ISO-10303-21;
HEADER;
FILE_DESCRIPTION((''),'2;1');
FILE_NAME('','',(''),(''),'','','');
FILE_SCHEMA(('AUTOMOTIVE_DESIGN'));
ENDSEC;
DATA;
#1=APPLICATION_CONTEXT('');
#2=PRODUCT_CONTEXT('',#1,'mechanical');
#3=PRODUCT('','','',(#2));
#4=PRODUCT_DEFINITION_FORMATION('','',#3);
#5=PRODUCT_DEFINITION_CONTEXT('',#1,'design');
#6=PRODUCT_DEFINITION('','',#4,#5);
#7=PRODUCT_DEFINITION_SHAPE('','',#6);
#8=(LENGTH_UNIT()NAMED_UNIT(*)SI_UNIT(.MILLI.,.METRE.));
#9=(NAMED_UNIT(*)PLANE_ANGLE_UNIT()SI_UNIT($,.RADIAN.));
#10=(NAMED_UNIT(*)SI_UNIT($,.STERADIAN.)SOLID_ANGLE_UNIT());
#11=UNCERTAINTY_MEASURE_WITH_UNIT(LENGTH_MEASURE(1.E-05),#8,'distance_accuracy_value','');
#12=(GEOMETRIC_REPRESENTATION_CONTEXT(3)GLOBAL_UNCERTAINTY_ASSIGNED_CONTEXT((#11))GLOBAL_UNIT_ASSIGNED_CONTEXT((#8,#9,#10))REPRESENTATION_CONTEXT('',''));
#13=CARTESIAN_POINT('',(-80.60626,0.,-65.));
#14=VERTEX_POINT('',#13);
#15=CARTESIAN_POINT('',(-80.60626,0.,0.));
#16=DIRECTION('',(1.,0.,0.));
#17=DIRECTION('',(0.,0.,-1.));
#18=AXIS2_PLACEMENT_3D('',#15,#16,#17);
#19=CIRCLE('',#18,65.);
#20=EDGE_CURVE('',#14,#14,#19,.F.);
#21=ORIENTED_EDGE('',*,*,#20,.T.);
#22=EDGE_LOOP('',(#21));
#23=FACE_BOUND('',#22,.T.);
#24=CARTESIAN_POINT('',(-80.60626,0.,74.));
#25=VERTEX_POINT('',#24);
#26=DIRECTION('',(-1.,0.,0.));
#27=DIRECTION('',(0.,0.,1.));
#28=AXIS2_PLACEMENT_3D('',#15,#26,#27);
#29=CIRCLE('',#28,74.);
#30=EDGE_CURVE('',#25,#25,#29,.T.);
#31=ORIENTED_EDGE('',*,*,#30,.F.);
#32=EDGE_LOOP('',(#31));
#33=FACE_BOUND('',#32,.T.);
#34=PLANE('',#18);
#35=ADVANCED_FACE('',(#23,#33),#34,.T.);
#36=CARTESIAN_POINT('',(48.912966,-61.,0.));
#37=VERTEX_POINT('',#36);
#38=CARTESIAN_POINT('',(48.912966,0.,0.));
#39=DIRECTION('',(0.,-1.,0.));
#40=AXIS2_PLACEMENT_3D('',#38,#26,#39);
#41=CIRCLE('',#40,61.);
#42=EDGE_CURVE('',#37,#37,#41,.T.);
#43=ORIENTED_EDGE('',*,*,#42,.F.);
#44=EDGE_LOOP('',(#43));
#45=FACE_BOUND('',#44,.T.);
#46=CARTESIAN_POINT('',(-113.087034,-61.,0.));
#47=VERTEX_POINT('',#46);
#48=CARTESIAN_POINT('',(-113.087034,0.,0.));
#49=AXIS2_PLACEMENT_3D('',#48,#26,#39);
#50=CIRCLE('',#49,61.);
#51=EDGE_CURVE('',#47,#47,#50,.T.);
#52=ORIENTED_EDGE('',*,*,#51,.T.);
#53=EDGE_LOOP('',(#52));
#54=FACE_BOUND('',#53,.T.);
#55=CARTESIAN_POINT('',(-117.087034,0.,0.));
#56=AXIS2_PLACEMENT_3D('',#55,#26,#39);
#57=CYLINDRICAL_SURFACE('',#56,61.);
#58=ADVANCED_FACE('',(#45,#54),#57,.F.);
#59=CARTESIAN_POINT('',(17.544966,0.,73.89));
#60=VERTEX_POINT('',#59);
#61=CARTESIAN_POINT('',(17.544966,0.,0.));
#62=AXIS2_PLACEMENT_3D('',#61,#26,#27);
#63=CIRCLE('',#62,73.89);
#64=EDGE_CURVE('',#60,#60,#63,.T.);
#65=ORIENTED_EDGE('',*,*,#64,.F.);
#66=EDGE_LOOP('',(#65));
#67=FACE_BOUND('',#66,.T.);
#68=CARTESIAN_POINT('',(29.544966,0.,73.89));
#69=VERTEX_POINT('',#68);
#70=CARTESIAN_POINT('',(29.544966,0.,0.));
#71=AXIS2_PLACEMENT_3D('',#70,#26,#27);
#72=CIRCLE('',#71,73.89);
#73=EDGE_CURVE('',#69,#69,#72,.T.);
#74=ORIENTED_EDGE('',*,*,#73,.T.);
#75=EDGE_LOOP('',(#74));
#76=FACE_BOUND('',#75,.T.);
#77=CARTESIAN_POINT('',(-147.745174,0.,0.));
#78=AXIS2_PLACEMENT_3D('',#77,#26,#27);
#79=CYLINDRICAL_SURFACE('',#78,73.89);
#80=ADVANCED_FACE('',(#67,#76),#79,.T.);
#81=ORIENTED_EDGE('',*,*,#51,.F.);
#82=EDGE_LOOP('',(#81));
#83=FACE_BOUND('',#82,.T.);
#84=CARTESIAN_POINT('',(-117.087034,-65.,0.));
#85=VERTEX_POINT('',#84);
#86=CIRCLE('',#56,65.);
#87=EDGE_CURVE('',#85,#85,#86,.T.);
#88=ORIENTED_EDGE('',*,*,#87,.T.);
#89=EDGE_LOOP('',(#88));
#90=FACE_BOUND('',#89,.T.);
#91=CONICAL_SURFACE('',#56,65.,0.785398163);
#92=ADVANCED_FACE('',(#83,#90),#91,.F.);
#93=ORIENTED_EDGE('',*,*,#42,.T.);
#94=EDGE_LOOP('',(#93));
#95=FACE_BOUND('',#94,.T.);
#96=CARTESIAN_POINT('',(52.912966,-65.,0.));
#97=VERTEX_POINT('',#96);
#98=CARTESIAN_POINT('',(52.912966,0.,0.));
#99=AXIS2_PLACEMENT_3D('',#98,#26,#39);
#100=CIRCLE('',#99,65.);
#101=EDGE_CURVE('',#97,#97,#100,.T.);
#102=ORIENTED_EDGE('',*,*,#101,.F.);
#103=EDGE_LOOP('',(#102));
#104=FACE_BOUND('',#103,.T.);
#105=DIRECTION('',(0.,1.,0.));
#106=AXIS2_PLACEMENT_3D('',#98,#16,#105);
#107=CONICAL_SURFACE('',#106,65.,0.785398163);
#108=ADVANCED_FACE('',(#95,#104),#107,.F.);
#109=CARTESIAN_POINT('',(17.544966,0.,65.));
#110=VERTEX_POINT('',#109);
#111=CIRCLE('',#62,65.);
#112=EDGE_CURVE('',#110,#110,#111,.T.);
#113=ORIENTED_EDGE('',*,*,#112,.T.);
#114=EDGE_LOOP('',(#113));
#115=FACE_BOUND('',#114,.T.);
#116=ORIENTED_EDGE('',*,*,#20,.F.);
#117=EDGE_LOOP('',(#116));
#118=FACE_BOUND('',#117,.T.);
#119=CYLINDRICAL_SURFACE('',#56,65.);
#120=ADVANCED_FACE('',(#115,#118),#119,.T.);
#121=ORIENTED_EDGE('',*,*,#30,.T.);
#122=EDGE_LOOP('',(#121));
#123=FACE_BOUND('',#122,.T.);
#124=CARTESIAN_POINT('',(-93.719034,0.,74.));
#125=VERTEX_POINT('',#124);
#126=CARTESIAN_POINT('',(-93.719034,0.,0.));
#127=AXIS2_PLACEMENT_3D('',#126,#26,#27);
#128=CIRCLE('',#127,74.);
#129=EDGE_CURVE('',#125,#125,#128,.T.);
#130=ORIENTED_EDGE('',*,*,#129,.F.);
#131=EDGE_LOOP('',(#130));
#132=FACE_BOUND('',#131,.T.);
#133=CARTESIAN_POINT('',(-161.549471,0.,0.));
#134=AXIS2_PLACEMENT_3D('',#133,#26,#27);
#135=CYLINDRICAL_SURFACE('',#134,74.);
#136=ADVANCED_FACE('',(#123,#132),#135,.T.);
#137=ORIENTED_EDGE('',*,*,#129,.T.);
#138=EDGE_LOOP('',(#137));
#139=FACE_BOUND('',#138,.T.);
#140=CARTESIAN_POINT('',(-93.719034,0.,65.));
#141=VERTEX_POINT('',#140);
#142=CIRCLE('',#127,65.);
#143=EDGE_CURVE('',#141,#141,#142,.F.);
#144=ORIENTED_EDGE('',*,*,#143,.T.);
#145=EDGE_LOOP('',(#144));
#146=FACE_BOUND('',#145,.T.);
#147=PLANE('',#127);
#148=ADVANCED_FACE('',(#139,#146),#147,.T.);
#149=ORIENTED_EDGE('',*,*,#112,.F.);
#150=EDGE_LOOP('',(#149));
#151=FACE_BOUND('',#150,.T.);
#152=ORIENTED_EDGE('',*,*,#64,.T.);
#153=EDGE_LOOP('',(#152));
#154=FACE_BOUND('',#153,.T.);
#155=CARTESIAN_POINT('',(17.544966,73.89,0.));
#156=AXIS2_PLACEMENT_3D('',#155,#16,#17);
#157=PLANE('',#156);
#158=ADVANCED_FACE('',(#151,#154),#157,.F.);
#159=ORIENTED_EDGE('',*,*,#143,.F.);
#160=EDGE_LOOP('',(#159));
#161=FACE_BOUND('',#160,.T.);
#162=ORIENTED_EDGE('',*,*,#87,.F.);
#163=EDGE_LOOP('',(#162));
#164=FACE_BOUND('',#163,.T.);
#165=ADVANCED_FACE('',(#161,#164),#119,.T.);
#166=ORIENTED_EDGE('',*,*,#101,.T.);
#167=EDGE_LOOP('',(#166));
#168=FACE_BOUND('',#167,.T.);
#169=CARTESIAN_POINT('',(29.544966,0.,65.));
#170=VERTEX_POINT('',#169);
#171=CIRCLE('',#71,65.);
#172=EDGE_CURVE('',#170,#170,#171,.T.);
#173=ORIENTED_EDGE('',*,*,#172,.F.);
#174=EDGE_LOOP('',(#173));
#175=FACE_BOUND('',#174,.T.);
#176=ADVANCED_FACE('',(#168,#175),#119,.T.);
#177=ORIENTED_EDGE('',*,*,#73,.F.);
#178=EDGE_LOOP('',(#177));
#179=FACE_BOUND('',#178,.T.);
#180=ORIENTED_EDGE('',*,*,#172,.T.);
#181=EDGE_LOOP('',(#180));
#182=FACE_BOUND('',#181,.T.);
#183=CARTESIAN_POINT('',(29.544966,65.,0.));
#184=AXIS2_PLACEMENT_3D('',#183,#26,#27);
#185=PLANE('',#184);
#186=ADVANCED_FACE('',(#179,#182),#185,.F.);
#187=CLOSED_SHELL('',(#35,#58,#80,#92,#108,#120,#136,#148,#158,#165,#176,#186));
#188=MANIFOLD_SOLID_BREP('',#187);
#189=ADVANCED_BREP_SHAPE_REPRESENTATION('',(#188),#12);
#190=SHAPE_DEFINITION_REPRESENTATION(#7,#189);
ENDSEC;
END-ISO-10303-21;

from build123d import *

# Parameters (mm, degrees)
SKETCH9_W  = 13.112773862
SKETCH9_H  = 9
SKETCH11_W = 12
SKETCH11_H = 8.89


with BuildPart() as part:
    # Sketch1 → Revolve2 (revolve)
    with BuildSketch(Plane.XY, mode=Mode.PRIVATE) as revolve2_sk:
        Polygon((52.912966218, 65), (-117.087033782, 65), (-113.087033782, 61), (48.912966218, 61), align=None)
    revolve(revolve2_sk.sketch.rotate(Axis((-117.087033782, 0, 0), (1, 0, 0)), 180), axis=Axis((-117.087033782, 0, 0), (1, 0, 0)))

    # Sketch9 → Revolve4 (revolve)
    with BuildSketch(Plane.XY, mode=Mode.PRIVATE) as revolve4_sk:
        with Locations((-87.162646851, 69.5)):
            Rectangle(SKETCH9_W, SKETCH9_H)
    revolve(revolve4_sk.sketch.rotate(Axis((-161.549470518, 0, 0), (1, 0, 0)), 180), axis=Axis((-161.549470518, 0, 0), (1, 0, 0)))

    # Sketch11 → Revolve5 (revolve)
    with BuildSketch(Plane.XY, mode=Mode.PRIVATE) as revolve5_sk:
        with Locations((23.544966218, 69.445)):
            Rectangle(SKETCH11_W, SKETCH11_H)
    revolve(revolve5_sk.sketch.rotate(Axis((-147.745174043, 0, 0), (1, 0, 0)), 180), axis=Axis((-147.745174043, 0, 0), (1, 0, 0)))


solid = part.part
